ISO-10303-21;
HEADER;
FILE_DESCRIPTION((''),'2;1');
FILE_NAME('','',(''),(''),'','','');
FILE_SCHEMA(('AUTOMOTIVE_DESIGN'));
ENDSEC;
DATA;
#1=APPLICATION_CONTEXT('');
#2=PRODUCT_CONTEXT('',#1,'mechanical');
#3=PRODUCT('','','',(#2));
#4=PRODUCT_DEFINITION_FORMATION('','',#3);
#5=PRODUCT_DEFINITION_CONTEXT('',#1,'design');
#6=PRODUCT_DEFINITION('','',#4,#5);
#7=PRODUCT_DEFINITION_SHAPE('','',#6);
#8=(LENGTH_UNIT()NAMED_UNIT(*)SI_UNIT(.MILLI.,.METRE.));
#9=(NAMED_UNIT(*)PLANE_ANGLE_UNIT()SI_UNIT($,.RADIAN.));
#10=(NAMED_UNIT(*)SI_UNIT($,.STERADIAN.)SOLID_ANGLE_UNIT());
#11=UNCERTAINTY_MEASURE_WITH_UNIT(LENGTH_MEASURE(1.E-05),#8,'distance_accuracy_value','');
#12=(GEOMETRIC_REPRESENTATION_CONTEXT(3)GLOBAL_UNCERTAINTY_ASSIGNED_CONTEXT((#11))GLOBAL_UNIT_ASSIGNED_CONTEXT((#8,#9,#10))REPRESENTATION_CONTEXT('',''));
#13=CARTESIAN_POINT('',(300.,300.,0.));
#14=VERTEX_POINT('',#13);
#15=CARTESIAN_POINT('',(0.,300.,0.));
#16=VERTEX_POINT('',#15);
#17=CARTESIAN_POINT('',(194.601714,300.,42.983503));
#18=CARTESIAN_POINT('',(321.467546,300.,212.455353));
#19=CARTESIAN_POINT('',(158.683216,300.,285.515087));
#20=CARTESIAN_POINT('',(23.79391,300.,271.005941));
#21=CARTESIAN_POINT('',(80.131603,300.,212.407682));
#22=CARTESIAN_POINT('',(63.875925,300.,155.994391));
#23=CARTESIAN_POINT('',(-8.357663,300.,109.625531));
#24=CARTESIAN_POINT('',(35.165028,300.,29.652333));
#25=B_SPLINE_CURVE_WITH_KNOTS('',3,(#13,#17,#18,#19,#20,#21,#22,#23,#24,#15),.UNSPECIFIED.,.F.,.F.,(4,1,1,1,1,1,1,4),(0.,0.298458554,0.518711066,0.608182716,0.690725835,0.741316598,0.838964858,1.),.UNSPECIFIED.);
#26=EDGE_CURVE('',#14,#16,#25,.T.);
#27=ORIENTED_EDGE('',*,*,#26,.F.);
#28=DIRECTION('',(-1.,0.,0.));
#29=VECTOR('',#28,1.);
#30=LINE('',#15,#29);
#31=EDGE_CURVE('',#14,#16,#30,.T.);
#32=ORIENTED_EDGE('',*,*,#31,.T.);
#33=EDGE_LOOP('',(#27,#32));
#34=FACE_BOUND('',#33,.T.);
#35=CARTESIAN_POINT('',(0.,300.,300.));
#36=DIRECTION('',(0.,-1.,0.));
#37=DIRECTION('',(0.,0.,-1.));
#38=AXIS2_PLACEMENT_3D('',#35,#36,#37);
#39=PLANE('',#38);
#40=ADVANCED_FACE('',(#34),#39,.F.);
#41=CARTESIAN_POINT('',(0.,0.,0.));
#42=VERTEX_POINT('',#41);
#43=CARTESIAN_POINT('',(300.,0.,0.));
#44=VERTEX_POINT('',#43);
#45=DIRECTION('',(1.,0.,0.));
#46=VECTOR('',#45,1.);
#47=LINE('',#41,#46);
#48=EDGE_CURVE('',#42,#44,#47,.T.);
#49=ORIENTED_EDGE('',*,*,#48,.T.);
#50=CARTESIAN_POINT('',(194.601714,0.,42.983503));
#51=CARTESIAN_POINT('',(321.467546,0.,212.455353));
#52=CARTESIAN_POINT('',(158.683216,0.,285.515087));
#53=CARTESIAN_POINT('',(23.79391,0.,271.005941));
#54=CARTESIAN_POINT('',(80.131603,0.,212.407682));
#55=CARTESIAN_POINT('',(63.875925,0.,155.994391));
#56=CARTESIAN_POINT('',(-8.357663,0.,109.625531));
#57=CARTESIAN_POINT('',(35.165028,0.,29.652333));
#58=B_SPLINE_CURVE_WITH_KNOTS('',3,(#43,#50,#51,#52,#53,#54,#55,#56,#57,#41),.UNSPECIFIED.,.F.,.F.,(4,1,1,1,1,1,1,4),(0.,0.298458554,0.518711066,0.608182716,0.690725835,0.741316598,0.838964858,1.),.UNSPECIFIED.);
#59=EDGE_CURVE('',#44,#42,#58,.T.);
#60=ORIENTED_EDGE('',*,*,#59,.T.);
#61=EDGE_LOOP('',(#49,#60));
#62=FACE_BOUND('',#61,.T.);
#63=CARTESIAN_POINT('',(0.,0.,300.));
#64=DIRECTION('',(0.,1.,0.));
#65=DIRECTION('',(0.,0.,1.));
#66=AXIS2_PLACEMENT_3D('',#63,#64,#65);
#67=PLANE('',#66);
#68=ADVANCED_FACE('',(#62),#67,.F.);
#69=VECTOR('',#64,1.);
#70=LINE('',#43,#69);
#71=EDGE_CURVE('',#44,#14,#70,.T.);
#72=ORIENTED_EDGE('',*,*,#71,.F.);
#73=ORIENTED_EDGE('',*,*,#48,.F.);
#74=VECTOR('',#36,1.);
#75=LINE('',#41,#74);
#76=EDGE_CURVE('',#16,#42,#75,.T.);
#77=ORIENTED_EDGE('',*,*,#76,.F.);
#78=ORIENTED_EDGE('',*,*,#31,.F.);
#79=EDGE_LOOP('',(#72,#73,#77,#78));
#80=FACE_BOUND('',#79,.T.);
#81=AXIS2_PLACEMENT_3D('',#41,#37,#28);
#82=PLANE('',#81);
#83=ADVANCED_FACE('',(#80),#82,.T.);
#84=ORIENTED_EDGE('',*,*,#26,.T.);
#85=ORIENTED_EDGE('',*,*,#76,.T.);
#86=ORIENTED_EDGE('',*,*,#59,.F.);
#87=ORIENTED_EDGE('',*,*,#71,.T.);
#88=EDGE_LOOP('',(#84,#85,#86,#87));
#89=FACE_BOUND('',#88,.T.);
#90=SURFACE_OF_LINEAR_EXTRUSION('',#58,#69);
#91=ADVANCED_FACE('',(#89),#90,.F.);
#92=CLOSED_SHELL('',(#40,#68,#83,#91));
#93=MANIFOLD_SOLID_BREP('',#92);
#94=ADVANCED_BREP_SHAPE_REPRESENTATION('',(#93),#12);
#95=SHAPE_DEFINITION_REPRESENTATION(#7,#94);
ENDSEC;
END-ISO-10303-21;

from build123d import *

# Parameters (mm, degrees)
SKETCH1_W           = 300
SKETCH1_H           = 300
BOSS_EXTRUDE2_DEPTH = 300
CUT_EXTRUDE2_DEPTH  = 300


with BuildPart() as part:
    # Sketch1 → Boss-Extrude2 (new body)
    with BuildSketch(Plane.XY):
        with Locations((150, 150)):
            Rectangle(SKETCH1_W, SKETCH1_H)
    extrude(amount=BOSS_EXTRUDE2_DEPTH)

    # Sketch3 → Cut-Extrude2 (cut)
    with BuildSketch(Plane(origin=(0, 300, 0), x_dir=(1, 0, 0), z_dir=(0, 1, 0))):
        with BuildLine():
            Line((0, 0), (0, -300))
            Line((0, -300), (300, -300))
            Line((300, -300), (300, 0))
            add(Edge.make_bspline(
                [(0, 0), (35.16502817, -29.652333263), (-8.357662947, -109.625530646), (63.875924944, -155.994391091), (80.131602579, -212.407682337), (23.793909591, -271.005941294), (158.683216248, -285.515087254), (321.467545976, -212.455352802), (194.601714239, -42.983502708), (300, 0)],
                knots=[0, 0, 0, 0, 0.161035142, 0.258683402, 0.309274165, 0.391817284, 0.481288934, 0.701541446, 1, 1, 1, 1], degree=3))
        make_face()
    extrude(amount=-CUT_EXTRUDE2_DEPTH, mode=Mode.SUBTRACT)


solid = part.part
